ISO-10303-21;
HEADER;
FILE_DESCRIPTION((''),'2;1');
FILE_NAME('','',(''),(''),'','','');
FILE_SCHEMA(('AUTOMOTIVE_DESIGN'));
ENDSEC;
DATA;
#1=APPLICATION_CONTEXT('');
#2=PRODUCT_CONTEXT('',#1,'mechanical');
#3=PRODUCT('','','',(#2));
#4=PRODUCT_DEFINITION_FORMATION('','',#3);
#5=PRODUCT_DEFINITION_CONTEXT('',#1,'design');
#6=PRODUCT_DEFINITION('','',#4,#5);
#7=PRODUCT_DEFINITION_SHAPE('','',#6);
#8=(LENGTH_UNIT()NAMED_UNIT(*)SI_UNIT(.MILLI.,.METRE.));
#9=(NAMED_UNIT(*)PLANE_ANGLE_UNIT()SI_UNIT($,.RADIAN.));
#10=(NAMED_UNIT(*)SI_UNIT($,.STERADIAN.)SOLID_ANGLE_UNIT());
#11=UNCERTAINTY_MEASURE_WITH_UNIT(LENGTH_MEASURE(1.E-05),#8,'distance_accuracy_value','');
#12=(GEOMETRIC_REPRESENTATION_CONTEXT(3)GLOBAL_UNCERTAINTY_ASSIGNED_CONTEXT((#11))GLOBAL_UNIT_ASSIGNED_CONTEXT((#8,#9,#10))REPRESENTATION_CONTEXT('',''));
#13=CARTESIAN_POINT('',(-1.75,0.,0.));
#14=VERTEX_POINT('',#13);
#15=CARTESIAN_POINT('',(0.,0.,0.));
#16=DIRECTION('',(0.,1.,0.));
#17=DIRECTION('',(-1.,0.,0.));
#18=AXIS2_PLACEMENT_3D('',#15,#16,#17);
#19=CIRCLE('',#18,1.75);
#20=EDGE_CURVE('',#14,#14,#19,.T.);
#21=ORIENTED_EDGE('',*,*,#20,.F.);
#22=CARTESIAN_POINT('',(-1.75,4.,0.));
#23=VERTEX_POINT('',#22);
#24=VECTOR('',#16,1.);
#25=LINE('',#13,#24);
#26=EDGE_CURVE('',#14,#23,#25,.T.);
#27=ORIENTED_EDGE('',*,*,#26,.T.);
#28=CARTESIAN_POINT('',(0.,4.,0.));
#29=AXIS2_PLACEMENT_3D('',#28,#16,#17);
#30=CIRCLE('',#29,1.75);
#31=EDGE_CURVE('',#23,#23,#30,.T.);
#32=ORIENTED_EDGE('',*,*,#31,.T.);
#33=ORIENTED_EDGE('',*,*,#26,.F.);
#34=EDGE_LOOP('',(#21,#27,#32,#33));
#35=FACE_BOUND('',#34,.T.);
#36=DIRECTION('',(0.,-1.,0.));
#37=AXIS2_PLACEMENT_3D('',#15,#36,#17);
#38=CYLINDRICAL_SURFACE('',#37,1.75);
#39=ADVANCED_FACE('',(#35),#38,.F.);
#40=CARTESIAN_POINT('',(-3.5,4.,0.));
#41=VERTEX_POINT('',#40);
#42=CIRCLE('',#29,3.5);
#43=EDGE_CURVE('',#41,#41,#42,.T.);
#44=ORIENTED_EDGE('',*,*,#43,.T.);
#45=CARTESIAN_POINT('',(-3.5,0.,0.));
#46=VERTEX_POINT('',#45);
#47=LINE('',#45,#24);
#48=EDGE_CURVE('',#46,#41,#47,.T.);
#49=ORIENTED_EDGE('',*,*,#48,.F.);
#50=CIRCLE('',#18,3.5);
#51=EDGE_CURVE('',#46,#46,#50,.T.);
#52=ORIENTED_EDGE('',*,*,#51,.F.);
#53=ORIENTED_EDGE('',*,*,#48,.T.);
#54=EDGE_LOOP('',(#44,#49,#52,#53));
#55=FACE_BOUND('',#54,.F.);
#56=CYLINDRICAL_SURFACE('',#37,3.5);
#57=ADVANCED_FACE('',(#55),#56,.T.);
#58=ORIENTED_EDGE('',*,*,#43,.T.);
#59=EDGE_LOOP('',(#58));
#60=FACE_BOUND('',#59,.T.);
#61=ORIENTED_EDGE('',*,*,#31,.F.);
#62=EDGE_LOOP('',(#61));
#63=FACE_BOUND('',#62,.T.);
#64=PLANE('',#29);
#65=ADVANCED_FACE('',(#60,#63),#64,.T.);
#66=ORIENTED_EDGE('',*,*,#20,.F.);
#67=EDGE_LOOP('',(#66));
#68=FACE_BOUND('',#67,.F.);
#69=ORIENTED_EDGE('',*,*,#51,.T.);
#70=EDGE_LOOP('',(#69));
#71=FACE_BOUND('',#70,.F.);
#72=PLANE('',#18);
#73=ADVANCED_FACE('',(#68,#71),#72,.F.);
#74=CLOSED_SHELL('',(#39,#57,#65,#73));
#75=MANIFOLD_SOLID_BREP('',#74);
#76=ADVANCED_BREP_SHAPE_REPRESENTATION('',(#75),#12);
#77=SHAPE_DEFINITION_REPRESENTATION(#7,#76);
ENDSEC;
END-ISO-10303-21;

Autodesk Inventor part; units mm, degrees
ref_plane "YZ Plane" through (0, 0, 0) normal (1, 0, 0) x (0, 1, 0)
ref_plane "XZ Plane" through (0, 0, 0) normal (0, 1, 0) x (-1, 0, 0)
ref_plane "XY Plane" through (0, 0, 0) normal (0, 0, 1) x (1, 0, 0)
sketch "Sketch1" plane through (0, 0, 0) normal (0, 1, 0) x (-1, 0, 0)
  circle A0 centre (0, 0) radius 1.75
  circle A1 centre (0, 0) radius 3.5
  dimension "d0" = 7
  dimension "d1" = 3.5
extrude "Extrusion1" add sketch "Sketch1" along normal blind 4
properties part number "DistanceRing_4mm"
